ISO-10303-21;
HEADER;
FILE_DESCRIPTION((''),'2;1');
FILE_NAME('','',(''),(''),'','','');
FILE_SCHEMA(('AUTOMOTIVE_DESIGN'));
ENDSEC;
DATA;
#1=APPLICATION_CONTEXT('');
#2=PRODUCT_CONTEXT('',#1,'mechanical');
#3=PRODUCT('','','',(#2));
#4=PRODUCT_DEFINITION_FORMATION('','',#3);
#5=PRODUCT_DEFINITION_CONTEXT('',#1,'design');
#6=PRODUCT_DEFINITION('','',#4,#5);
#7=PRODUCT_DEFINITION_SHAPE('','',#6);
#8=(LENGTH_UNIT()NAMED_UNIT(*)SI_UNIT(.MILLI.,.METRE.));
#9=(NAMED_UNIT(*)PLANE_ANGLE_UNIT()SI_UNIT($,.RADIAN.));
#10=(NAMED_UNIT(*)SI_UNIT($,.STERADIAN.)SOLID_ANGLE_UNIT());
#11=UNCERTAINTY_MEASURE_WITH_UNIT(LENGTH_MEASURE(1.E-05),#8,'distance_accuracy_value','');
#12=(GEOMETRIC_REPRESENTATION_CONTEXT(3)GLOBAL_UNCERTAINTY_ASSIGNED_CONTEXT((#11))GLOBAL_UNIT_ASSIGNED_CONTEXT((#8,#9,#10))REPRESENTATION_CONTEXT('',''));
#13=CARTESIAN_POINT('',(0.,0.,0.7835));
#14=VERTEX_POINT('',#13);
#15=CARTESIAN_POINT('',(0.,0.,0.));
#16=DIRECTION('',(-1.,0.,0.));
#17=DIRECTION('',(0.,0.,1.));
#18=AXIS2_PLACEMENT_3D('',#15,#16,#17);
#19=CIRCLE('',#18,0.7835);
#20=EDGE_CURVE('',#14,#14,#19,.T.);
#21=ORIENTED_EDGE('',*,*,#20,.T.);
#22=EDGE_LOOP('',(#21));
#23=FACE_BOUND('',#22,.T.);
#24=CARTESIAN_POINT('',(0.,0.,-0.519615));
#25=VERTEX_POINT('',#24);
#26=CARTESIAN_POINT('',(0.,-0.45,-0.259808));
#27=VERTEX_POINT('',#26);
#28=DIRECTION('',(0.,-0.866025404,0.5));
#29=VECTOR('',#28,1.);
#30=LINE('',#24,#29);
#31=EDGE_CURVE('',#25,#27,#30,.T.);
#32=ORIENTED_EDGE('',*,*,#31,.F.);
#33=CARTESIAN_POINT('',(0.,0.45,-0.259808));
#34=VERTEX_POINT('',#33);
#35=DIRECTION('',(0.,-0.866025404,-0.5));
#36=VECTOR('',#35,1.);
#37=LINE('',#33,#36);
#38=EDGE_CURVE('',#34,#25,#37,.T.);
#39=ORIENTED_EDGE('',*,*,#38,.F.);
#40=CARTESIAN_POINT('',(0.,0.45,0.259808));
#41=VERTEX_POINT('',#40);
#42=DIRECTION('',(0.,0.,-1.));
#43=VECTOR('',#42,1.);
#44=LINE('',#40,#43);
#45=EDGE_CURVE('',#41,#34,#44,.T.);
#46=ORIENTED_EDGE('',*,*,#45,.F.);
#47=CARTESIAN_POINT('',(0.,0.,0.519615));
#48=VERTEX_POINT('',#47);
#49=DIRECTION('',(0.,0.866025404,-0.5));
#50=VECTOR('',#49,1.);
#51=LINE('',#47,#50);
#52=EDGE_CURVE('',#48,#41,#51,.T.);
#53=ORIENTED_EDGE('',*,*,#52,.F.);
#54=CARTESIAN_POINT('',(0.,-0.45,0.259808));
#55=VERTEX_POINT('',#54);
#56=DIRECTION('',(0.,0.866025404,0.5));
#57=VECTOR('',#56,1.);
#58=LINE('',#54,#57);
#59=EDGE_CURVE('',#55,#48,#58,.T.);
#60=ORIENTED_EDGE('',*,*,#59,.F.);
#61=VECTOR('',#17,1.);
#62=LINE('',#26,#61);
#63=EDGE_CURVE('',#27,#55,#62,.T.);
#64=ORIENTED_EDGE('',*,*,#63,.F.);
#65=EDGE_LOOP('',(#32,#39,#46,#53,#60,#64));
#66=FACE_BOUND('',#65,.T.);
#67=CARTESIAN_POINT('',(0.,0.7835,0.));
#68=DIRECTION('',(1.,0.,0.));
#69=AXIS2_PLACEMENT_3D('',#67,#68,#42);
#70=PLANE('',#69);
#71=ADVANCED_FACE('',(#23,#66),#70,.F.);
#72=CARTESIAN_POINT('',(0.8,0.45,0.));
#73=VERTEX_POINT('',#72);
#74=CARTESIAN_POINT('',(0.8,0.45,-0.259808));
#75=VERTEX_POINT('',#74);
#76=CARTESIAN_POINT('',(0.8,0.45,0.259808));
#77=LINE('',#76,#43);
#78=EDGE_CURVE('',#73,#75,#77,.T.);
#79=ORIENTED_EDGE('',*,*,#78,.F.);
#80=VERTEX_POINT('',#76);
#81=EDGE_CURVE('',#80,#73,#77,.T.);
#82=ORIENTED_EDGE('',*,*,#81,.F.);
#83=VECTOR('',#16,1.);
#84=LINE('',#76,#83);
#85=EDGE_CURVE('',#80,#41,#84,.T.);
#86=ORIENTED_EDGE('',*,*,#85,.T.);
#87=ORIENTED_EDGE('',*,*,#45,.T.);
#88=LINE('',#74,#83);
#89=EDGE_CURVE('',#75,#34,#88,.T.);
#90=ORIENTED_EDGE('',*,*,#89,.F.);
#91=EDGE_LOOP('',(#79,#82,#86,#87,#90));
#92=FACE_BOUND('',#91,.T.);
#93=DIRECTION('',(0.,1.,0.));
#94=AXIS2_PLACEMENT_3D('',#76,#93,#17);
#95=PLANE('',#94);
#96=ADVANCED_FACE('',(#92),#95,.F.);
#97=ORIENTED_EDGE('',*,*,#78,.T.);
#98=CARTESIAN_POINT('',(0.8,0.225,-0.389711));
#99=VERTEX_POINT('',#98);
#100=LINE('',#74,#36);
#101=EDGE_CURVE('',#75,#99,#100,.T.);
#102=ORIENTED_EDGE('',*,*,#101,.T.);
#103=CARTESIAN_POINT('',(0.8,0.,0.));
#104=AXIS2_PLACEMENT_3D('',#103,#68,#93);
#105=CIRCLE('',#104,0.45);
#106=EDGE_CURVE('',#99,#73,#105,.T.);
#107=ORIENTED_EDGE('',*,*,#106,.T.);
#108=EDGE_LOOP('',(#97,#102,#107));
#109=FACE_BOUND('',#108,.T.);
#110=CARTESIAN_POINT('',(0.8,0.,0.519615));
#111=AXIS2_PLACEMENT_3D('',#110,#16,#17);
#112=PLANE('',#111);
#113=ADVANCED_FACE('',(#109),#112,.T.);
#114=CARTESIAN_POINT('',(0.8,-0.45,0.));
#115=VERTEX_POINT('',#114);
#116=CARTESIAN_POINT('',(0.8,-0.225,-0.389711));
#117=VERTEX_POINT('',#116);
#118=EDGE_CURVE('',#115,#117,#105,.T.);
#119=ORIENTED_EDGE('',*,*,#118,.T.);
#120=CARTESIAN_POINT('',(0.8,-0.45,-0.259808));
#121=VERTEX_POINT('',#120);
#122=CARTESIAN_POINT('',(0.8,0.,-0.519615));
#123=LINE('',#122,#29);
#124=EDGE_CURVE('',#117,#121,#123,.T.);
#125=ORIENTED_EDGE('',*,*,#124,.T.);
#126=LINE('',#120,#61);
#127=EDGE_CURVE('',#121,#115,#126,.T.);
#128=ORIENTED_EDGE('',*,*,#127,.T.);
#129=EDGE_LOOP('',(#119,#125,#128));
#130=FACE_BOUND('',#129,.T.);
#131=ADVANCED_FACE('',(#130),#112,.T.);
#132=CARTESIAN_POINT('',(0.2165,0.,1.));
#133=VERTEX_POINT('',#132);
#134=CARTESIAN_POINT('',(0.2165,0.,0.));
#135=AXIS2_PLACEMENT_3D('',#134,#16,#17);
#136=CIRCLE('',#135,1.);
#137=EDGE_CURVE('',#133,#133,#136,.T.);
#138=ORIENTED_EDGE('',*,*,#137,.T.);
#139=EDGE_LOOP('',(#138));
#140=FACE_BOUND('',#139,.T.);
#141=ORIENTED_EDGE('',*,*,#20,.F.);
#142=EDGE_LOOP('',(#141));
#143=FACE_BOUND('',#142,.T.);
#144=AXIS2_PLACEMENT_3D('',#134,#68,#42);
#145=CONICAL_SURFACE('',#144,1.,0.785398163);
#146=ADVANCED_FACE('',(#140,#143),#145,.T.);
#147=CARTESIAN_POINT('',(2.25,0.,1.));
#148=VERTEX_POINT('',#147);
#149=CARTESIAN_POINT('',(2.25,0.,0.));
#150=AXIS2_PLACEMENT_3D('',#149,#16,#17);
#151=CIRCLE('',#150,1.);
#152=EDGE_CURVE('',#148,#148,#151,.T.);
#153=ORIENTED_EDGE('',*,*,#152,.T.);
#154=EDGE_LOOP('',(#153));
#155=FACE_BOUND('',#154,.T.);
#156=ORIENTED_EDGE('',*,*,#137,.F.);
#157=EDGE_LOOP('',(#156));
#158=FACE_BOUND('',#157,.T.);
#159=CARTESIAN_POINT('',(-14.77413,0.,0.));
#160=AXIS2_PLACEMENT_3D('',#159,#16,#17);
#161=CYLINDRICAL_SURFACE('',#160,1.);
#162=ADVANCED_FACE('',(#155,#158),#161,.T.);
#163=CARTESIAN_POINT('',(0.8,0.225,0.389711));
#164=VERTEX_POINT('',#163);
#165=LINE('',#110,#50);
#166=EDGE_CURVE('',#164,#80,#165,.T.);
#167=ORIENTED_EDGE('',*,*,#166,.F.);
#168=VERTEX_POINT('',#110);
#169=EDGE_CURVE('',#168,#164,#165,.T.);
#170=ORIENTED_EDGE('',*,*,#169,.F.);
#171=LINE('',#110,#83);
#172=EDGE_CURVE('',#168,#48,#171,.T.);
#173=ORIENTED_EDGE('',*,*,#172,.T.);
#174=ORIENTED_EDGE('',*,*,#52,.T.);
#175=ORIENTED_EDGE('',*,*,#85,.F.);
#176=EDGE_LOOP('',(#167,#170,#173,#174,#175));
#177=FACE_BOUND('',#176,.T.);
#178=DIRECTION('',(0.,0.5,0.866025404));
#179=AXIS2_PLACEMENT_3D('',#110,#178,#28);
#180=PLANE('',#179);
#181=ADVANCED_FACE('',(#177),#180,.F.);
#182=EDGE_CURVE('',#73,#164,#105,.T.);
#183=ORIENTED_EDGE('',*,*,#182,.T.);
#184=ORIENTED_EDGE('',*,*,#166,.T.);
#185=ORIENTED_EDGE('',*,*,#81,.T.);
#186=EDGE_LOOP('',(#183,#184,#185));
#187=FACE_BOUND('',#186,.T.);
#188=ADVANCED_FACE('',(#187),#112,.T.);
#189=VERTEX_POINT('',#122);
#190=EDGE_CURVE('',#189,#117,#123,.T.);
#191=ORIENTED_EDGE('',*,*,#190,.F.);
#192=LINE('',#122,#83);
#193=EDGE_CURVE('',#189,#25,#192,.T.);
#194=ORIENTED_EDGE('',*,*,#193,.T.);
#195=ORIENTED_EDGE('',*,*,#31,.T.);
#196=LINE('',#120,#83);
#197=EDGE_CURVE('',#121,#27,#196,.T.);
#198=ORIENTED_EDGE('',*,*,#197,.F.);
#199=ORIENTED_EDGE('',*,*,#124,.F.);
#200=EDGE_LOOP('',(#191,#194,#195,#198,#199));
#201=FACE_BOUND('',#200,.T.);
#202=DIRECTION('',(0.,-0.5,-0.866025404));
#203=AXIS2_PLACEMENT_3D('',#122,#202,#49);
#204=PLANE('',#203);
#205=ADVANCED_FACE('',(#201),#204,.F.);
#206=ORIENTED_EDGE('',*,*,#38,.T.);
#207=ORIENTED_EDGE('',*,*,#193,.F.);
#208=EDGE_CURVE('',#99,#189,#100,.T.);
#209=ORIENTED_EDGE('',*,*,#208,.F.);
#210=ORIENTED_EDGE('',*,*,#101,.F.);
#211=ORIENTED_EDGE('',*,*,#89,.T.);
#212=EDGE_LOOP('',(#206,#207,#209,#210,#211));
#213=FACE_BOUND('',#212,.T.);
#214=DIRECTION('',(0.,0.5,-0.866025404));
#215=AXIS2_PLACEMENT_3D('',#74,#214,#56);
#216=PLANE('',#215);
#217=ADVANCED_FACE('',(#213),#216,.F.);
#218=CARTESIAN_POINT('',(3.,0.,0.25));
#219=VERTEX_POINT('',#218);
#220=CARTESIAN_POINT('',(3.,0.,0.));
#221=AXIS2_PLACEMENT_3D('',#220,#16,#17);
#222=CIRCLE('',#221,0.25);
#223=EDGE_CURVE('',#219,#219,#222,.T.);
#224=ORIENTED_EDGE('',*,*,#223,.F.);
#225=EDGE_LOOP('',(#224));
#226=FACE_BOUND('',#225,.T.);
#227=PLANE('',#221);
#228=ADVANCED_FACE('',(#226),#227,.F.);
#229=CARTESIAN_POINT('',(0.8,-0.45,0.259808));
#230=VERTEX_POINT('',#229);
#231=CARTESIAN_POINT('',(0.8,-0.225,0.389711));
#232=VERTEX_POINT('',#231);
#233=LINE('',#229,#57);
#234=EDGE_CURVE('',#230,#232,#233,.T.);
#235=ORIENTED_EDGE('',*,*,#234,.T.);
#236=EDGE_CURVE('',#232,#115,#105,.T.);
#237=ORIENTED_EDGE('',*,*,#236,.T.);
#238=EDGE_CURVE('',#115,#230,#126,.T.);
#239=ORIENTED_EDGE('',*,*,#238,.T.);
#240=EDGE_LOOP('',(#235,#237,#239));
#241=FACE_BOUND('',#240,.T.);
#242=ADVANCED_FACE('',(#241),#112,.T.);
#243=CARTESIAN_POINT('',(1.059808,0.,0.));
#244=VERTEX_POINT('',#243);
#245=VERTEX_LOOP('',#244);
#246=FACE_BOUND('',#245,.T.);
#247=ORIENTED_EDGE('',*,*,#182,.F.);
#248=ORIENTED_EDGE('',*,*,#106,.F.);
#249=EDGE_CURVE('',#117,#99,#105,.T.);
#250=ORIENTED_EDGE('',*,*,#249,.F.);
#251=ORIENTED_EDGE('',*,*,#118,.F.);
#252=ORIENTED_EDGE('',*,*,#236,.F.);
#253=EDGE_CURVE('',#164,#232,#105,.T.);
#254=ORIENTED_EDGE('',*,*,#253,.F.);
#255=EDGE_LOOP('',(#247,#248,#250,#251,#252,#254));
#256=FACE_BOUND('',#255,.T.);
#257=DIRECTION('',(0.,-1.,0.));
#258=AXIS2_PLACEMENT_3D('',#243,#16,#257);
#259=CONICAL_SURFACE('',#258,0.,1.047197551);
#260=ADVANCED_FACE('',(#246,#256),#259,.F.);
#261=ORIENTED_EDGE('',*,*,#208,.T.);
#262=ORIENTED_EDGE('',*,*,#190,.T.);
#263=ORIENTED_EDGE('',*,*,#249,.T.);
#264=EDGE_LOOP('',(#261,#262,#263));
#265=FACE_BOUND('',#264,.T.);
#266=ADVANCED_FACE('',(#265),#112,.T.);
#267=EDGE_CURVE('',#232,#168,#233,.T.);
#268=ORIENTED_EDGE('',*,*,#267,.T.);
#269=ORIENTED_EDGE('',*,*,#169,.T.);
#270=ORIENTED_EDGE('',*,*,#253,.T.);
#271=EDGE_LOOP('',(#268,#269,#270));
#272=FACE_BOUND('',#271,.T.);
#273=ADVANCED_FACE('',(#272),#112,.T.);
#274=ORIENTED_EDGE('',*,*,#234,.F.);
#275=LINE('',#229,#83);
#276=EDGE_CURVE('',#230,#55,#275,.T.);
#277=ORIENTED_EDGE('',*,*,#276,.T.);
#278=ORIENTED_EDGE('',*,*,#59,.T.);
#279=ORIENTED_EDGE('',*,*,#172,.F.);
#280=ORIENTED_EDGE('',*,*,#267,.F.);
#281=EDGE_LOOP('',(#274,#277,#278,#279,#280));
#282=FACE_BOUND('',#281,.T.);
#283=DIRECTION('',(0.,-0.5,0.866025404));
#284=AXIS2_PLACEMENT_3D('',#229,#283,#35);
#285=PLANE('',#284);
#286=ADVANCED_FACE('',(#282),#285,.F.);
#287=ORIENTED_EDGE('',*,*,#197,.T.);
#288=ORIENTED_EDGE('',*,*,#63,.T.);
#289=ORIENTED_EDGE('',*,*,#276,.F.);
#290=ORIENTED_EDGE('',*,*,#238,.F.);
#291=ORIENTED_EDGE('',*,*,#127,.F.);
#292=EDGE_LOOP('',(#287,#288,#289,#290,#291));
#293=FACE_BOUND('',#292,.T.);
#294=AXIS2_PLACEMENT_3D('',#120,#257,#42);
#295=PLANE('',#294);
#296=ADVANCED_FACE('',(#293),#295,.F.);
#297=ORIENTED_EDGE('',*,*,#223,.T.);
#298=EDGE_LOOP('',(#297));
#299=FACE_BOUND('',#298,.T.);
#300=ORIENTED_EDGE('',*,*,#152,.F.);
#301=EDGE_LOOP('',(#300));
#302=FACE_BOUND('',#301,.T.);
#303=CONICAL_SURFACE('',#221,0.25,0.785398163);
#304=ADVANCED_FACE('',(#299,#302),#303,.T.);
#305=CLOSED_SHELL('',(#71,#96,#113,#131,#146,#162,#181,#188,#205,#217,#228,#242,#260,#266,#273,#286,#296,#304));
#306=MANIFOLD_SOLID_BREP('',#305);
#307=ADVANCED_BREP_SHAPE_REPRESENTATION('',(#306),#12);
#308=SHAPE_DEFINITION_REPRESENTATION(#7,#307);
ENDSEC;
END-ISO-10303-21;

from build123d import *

# Parameters (mm, degrees)
HEXAGONSOCKET_DEPTH = 0.8


with BuildPart() as part:
    # Sketch1 → Base (revolve)
    with BuildSketch(Plane.XY):
        Polygon((0, 0), (3, 0), (3, 0.25), (2.25, 1), (0.2165, 1), (0, 0.7835), align=None)
    revolve(axis=Axis((-14.774129749, 0, 0), (1, 0, 0)))

    # Sketch2 → HexagonSocket (cut)
    with BuildSketch(Plane(origin=(0, 0.220293087, -0.139195271), x_dir=(0, 0, 1), z_dir=(-1, 0, 0))):
        Polygon((0.658810514, -0.220293087), (0.399002893, 0.229706913), (-0.12061235, 0.229706913), (-0.380419971, -0.220293087), (-0.12061235, -0.670293087), (0.399002893, -0.670293087), align=None)
    extrude(amount=-HEXAGONSOCKET_DEPTH, mode=Mode.SUBTRACT)

    # Sketch3 → Cut-Revolve (revolve, cut)
    with BuildSketch(Plane.XY):
        Polygon((0.8, 0.45), (1.059807621, 0), (0.8, 0), align=None)
    revolve(axis=Axis((0.8, 0, 0), (-1, 0, 0)), mode=Mode.SUBTRACT)


solid = part.part
